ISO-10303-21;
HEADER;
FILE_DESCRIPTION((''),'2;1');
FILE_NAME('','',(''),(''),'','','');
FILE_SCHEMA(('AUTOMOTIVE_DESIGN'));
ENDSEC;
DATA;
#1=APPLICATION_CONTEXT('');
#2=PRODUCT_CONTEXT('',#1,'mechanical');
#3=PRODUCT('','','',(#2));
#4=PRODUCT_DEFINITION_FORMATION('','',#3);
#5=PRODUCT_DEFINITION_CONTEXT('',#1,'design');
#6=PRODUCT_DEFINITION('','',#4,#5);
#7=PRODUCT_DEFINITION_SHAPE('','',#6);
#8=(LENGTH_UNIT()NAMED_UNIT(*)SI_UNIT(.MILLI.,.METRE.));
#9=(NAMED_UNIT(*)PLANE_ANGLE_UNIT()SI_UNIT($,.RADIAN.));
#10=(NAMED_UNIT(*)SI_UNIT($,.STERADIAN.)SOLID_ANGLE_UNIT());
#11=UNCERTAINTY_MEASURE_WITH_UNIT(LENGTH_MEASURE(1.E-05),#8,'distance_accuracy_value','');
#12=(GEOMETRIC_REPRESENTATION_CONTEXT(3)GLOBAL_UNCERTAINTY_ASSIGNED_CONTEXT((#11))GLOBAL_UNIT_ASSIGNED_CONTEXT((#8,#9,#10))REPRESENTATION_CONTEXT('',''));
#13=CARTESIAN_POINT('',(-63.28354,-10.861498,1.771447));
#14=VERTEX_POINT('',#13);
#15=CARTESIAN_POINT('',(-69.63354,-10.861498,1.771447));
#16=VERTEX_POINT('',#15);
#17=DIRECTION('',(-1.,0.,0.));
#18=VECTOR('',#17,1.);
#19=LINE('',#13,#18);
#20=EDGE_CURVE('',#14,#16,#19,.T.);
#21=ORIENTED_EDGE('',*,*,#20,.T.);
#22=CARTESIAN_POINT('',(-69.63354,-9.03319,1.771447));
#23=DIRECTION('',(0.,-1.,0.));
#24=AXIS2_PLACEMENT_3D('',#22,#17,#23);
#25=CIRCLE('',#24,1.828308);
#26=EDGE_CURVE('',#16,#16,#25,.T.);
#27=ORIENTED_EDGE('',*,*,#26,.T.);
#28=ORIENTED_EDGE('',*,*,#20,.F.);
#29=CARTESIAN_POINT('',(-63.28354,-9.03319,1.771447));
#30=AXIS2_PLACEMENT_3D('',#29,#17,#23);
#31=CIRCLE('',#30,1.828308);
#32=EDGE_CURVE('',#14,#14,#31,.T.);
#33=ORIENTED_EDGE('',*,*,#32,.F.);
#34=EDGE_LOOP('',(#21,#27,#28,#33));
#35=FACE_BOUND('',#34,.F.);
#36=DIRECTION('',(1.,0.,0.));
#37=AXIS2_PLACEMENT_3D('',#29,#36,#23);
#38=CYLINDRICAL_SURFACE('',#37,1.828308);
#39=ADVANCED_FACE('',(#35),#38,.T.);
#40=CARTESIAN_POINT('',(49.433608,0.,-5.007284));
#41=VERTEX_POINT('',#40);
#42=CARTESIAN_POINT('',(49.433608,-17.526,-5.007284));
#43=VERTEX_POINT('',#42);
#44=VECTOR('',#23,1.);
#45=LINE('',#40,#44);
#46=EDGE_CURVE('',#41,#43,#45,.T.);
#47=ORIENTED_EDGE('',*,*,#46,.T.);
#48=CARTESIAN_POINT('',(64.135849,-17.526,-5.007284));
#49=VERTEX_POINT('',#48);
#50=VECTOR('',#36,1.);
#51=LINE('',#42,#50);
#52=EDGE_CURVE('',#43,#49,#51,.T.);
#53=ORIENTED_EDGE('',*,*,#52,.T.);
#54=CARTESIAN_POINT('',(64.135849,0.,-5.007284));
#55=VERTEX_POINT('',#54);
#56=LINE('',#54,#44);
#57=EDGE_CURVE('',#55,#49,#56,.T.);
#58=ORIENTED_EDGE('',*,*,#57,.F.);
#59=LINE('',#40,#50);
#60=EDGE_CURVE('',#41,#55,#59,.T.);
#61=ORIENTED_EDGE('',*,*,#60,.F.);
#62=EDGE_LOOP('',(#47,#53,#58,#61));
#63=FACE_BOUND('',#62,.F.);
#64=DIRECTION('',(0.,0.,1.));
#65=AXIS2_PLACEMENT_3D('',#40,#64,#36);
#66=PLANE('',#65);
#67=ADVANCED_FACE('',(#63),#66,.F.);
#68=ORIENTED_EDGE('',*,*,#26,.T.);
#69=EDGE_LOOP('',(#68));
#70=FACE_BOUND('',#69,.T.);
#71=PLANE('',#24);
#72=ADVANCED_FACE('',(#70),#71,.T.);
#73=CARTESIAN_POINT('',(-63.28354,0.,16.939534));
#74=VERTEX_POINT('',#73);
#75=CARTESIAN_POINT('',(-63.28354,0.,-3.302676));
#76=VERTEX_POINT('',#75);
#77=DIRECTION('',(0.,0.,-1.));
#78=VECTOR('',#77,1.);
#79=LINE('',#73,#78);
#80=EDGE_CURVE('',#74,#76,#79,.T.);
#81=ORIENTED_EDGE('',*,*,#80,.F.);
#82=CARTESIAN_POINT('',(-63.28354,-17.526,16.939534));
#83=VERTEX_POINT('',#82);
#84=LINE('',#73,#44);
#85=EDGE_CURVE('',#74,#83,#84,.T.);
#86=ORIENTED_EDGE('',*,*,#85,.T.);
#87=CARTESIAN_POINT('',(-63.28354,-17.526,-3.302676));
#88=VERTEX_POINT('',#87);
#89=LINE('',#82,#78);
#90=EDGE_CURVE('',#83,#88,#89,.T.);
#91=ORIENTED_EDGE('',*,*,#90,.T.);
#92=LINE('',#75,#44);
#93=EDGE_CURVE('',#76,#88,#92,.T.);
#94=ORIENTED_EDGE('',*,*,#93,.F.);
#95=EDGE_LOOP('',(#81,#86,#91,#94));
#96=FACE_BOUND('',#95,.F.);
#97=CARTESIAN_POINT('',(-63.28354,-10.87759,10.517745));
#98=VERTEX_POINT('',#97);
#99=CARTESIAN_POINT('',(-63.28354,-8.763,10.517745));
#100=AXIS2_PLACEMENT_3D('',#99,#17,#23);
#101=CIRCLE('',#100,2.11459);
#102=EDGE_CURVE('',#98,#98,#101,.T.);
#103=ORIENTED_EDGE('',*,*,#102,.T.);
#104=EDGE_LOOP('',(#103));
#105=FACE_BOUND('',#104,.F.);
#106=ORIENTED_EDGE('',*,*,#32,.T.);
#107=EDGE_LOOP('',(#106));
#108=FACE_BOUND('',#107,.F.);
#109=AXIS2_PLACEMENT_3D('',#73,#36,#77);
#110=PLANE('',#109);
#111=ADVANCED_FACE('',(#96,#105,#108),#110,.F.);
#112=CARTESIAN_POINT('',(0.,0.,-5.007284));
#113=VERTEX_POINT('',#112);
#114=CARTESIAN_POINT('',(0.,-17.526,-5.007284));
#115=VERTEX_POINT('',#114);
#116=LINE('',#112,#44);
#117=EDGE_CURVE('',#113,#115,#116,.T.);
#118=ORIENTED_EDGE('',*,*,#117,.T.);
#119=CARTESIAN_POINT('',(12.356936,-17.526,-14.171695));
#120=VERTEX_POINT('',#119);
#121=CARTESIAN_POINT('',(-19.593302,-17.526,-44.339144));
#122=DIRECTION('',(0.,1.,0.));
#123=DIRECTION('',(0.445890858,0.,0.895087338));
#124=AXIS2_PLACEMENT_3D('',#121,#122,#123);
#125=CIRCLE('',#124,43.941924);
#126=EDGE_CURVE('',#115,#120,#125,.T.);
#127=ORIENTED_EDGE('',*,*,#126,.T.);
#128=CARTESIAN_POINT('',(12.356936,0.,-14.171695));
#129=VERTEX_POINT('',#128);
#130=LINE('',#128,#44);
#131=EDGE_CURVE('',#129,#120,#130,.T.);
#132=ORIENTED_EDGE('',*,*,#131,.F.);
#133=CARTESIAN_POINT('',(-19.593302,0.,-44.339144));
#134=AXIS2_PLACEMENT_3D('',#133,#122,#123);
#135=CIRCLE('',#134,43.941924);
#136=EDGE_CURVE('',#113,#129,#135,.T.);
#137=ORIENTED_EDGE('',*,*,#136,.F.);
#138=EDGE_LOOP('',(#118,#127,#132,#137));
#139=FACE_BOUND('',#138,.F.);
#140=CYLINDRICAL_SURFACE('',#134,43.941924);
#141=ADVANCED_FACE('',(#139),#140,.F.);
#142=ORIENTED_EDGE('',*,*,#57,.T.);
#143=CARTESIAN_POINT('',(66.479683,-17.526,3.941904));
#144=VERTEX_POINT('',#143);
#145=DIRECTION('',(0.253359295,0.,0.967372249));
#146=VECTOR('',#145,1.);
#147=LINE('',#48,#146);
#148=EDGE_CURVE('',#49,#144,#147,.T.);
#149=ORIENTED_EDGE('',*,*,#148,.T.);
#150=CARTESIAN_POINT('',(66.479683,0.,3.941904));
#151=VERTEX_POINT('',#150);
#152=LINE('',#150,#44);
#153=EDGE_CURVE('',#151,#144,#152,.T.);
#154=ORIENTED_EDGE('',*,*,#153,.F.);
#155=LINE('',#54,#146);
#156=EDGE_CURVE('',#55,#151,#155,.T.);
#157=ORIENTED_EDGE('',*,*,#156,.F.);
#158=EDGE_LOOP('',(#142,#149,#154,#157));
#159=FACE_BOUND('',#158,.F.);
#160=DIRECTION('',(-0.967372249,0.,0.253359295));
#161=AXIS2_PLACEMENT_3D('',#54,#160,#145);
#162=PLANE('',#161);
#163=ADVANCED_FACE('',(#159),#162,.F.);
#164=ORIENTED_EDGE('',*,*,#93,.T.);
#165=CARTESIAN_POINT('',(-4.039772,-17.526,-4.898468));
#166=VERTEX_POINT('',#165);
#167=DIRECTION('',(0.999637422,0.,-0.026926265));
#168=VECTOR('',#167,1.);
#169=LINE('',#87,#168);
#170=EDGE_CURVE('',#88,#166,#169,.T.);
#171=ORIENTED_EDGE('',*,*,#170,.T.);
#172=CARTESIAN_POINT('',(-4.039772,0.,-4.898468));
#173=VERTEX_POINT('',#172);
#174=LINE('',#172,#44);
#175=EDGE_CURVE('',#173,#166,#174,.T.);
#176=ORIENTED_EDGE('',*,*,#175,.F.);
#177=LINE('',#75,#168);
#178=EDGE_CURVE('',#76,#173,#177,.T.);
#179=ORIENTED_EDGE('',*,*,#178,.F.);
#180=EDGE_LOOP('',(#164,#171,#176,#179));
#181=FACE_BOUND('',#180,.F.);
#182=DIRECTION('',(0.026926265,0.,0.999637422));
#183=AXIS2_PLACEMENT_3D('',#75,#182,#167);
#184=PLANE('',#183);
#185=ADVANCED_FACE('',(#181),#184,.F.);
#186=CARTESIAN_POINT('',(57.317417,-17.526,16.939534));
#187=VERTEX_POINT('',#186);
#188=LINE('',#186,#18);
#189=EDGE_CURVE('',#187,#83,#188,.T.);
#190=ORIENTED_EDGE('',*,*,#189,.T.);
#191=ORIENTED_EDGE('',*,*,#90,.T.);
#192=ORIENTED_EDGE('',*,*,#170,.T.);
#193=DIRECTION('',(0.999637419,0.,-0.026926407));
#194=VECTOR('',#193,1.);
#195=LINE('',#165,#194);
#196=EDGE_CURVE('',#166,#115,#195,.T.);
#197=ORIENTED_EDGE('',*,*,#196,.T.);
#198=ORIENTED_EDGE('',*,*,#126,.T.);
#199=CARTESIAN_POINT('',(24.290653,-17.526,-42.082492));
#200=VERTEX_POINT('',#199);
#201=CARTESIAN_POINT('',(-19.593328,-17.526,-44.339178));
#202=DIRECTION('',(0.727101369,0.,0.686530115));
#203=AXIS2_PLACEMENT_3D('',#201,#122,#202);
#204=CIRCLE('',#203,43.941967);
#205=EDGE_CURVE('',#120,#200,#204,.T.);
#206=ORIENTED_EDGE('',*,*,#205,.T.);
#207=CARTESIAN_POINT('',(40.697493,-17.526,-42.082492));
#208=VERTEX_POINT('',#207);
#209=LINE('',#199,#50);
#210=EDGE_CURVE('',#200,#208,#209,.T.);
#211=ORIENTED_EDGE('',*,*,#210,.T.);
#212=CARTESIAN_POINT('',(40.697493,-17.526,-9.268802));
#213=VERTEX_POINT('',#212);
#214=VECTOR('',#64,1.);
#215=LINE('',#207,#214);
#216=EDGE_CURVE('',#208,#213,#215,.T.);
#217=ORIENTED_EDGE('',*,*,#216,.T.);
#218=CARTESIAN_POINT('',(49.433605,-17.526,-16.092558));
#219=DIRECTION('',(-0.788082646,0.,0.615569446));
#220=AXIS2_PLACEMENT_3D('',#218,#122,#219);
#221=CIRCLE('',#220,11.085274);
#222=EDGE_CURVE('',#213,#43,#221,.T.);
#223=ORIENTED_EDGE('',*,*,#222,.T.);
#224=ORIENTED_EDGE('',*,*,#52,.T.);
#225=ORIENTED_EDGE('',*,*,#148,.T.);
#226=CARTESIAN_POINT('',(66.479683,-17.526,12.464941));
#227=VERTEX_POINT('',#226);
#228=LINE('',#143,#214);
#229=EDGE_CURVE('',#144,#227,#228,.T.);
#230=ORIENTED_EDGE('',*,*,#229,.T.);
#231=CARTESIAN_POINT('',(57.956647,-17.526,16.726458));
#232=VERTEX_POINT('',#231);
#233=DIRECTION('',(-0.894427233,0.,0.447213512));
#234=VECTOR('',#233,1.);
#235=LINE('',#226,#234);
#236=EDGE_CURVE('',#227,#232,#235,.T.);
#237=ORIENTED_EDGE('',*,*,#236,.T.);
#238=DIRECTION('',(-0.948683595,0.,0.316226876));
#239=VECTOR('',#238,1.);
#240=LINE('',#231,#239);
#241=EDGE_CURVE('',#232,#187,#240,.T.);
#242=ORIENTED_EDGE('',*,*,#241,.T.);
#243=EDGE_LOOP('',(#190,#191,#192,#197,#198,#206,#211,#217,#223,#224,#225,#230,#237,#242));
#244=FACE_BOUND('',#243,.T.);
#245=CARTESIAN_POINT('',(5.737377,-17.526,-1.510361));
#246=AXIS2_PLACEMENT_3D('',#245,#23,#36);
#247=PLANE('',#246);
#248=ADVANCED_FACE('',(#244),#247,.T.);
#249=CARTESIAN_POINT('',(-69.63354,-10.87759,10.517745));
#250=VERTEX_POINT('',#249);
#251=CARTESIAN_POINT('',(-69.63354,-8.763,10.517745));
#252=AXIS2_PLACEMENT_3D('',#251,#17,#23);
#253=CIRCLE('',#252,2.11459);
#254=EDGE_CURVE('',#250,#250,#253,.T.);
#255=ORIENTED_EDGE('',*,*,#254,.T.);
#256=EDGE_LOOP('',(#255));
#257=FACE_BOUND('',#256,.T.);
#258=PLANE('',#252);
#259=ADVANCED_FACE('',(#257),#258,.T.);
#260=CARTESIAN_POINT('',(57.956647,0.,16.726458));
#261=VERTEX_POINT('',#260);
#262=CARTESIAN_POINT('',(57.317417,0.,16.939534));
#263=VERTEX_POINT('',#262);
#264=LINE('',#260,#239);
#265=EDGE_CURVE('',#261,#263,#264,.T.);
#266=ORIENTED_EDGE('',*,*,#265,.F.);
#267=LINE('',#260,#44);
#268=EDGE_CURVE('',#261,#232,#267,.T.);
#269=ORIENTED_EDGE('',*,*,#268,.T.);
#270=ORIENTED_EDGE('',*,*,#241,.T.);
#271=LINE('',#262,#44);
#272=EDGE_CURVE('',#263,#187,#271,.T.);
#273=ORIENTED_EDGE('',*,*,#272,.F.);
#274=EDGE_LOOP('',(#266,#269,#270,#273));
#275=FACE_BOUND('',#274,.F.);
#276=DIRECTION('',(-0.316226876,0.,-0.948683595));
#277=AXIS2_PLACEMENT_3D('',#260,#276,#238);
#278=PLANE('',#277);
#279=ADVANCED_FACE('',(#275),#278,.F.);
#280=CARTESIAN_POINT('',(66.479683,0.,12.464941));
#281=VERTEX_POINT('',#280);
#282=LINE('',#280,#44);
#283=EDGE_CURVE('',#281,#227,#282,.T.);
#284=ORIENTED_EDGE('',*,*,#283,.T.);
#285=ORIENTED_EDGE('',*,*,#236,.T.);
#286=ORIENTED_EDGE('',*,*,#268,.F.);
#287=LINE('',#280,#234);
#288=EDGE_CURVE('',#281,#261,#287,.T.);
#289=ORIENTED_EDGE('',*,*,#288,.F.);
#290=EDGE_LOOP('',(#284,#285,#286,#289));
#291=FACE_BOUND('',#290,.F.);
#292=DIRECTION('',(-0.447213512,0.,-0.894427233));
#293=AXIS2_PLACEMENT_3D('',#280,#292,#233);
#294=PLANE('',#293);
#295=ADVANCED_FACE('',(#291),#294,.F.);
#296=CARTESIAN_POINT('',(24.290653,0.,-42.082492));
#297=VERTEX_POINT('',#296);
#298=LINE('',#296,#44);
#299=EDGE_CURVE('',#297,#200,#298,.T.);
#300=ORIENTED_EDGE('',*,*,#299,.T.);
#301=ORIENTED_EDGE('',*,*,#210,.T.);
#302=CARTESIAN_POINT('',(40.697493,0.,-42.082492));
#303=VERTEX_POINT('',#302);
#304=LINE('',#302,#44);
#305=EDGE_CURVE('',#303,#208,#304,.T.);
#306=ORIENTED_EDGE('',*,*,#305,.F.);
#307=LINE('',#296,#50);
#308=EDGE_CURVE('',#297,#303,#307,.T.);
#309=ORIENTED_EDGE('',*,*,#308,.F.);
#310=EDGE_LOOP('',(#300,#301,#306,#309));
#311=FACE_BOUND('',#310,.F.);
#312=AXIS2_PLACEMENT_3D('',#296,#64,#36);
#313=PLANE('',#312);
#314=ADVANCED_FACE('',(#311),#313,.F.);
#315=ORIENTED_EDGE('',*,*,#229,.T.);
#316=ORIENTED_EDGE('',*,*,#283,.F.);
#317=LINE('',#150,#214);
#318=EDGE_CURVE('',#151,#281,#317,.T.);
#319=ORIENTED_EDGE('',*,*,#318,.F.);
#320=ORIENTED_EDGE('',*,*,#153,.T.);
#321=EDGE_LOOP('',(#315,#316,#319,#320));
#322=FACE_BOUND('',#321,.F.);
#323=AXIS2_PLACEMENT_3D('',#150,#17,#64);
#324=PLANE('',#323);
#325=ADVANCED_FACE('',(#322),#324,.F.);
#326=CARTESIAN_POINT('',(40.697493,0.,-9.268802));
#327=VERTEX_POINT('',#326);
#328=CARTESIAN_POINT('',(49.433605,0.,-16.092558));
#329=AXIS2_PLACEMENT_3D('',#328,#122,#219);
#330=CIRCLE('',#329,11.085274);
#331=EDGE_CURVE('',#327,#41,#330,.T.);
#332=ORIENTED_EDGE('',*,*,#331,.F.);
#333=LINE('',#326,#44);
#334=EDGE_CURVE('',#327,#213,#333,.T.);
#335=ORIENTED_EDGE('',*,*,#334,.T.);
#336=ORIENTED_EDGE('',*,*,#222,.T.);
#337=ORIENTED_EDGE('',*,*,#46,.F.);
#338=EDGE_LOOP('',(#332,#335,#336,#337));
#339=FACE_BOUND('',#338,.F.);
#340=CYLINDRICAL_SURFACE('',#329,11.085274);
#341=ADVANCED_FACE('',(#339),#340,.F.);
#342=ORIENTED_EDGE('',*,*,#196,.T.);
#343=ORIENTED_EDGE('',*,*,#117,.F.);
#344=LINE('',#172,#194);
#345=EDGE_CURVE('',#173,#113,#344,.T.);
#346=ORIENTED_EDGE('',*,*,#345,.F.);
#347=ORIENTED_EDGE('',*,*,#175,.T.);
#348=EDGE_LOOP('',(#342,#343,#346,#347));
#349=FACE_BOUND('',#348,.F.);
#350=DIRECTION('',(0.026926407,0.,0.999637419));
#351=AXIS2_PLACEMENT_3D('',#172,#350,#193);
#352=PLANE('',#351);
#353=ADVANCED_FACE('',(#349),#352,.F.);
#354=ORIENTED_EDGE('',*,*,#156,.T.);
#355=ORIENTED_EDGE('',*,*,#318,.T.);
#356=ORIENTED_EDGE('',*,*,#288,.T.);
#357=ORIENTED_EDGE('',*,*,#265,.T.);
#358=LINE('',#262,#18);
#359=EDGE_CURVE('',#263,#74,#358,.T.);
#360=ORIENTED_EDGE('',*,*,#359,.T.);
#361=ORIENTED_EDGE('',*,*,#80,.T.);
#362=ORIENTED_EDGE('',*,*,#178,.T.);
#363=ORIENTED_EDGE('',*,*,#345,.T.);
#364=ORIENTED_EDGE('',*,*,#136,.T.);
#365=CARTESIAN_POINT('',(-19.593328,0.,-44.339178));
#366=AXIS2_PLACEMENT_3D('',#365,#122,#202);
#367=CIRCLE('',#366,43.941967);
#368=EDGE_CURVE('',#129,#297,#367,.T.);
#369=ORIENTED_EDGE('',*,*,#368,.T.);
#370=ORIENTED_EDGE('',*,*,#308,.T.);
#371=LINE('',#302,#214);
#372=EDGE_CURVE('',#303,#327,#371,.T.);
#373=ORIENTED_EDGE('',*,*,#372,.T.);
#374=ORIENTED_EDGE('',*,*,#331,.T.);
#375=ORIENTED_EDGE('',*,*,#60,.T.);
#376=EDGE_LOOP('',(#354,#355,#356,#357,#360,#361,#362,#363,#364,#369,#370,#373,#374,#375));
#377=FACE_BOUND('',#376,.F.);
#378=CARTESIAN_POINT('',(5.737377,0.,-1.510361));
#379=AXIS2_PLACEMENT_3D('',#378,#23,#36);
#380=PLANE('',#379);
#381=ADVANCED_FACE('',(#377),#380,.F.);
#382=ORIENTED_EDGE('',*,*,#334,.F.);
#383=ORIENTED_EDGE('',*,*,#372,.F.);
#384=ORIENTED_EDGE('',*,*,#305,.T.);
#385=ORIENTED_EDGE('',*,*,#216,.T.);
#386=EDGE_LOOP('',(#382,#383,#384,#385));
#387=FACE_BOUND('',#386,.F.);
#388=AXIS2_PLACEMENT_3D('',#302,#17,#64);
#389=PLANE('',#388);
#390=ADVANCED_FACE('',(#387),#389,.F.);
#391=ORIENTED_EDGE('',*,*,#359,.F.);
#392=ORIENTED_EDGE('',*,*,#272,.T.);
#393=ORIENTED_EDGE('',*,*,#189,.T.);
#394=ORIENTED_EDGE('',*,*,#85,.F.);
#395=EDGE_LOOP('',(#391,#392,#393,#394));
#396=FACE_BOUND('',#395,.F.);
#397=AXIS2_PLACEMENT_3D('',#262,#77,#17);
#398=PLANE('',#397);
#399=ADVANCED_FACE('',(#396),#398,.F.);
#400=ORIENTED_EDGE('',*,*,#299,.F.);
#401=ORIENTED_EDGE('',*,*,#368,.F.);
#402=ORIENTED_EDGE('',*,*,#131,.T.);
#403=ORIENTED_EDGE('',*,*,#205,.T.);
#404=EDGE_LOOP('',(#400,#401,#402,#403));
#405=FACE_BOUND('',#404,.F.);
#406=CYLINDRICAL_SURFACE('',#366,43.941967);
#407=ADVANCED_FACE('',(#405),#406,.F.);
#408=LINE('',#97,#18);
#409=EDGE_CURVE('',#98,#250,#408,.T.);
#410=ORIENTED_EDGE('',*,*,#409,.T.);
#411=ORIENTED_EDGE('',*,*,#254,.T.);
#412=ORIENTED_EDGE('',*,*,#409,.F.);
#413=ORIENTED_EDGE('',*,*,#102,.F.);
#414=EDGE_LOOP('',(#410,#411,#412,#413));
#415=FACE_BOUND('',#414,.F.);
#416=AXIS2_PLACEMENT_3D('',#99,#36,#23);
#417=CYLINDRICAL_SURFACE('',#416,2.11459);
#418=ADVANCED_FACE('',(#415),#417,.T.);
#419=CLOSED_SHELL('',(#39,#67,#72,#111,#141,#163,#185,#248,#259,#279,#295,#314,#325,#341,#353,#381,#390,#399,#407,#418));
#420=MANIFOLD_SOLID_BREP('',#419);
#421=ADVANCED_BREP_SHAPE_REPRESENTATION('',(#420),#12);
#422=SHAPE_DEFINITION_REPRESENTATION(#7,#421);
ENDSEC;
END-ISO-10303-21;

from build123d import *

# Parameters (mm, degrees)
F1_DEPTH = 17.526
F2_R     = 2.11459
F2_R_2   = 1.828308
F3_DEPTH = 6.35


with BuildPart() as f1:
    # F0 (on Front) → F1 (new body)
    with BuildSketch(Plane.XZ):
        with BuildLine():
            ThreePointArc((12.356936, -14.171695), (20.810401, -27.063904), (24.290653, -42.082492))
            Line((24.290653, -42.082492), (40.697493, -42.082492))
            Line((40.697493, -42.082492), (40.697493, -9.268802))
            ThreePointArc((40.697493, -9.268802), (44.57356, -6.129463), (49.433608, -5.007284))
            Line((49.433608, -5.007284), (64.135849, -5.007284))
            Line((64.135849, -5.007284), (66.479683, 3.941904))
            Line((66.479683, 3.941904), (66.479683, 12.464941))
            Line((66.479683, 12.464941), (57.956647, 16.726458))
            Line((57.956647, 16.726458), (57.317417, 16.939534))
            Line((57.317417, 16.939534), (-63.28354, 16.939534))
            Line((-63.28354, 16.939534), (-63.28354, -3.302676))
            Line((-63.28354, -3.302676), (-4.039772, -4.898468))
            Line((-4.039772, -4.898468), (0, -5.007284))
            ThreePointArc((0, -5.007284), (6.582655, -9.044499), (12.356936, -14.171695))
        make_face()
    extrude(amount=F1_DEPTH)

    # F2 (on face) → F3 (join)
    with BuildSketch(Plane(origin=(-63.28354, 0, 0), x_dir=(0, -1, 0), z_dir=(-1, 0, 0))):
        with Locations((8.763, 10.517745)):
            Circle(F2_R)
        with Locations((9.03319, 1.771447)):
            Circle(F2_R_2)
    extrude(amount=F3_DEPTH)


solid = f1.part
